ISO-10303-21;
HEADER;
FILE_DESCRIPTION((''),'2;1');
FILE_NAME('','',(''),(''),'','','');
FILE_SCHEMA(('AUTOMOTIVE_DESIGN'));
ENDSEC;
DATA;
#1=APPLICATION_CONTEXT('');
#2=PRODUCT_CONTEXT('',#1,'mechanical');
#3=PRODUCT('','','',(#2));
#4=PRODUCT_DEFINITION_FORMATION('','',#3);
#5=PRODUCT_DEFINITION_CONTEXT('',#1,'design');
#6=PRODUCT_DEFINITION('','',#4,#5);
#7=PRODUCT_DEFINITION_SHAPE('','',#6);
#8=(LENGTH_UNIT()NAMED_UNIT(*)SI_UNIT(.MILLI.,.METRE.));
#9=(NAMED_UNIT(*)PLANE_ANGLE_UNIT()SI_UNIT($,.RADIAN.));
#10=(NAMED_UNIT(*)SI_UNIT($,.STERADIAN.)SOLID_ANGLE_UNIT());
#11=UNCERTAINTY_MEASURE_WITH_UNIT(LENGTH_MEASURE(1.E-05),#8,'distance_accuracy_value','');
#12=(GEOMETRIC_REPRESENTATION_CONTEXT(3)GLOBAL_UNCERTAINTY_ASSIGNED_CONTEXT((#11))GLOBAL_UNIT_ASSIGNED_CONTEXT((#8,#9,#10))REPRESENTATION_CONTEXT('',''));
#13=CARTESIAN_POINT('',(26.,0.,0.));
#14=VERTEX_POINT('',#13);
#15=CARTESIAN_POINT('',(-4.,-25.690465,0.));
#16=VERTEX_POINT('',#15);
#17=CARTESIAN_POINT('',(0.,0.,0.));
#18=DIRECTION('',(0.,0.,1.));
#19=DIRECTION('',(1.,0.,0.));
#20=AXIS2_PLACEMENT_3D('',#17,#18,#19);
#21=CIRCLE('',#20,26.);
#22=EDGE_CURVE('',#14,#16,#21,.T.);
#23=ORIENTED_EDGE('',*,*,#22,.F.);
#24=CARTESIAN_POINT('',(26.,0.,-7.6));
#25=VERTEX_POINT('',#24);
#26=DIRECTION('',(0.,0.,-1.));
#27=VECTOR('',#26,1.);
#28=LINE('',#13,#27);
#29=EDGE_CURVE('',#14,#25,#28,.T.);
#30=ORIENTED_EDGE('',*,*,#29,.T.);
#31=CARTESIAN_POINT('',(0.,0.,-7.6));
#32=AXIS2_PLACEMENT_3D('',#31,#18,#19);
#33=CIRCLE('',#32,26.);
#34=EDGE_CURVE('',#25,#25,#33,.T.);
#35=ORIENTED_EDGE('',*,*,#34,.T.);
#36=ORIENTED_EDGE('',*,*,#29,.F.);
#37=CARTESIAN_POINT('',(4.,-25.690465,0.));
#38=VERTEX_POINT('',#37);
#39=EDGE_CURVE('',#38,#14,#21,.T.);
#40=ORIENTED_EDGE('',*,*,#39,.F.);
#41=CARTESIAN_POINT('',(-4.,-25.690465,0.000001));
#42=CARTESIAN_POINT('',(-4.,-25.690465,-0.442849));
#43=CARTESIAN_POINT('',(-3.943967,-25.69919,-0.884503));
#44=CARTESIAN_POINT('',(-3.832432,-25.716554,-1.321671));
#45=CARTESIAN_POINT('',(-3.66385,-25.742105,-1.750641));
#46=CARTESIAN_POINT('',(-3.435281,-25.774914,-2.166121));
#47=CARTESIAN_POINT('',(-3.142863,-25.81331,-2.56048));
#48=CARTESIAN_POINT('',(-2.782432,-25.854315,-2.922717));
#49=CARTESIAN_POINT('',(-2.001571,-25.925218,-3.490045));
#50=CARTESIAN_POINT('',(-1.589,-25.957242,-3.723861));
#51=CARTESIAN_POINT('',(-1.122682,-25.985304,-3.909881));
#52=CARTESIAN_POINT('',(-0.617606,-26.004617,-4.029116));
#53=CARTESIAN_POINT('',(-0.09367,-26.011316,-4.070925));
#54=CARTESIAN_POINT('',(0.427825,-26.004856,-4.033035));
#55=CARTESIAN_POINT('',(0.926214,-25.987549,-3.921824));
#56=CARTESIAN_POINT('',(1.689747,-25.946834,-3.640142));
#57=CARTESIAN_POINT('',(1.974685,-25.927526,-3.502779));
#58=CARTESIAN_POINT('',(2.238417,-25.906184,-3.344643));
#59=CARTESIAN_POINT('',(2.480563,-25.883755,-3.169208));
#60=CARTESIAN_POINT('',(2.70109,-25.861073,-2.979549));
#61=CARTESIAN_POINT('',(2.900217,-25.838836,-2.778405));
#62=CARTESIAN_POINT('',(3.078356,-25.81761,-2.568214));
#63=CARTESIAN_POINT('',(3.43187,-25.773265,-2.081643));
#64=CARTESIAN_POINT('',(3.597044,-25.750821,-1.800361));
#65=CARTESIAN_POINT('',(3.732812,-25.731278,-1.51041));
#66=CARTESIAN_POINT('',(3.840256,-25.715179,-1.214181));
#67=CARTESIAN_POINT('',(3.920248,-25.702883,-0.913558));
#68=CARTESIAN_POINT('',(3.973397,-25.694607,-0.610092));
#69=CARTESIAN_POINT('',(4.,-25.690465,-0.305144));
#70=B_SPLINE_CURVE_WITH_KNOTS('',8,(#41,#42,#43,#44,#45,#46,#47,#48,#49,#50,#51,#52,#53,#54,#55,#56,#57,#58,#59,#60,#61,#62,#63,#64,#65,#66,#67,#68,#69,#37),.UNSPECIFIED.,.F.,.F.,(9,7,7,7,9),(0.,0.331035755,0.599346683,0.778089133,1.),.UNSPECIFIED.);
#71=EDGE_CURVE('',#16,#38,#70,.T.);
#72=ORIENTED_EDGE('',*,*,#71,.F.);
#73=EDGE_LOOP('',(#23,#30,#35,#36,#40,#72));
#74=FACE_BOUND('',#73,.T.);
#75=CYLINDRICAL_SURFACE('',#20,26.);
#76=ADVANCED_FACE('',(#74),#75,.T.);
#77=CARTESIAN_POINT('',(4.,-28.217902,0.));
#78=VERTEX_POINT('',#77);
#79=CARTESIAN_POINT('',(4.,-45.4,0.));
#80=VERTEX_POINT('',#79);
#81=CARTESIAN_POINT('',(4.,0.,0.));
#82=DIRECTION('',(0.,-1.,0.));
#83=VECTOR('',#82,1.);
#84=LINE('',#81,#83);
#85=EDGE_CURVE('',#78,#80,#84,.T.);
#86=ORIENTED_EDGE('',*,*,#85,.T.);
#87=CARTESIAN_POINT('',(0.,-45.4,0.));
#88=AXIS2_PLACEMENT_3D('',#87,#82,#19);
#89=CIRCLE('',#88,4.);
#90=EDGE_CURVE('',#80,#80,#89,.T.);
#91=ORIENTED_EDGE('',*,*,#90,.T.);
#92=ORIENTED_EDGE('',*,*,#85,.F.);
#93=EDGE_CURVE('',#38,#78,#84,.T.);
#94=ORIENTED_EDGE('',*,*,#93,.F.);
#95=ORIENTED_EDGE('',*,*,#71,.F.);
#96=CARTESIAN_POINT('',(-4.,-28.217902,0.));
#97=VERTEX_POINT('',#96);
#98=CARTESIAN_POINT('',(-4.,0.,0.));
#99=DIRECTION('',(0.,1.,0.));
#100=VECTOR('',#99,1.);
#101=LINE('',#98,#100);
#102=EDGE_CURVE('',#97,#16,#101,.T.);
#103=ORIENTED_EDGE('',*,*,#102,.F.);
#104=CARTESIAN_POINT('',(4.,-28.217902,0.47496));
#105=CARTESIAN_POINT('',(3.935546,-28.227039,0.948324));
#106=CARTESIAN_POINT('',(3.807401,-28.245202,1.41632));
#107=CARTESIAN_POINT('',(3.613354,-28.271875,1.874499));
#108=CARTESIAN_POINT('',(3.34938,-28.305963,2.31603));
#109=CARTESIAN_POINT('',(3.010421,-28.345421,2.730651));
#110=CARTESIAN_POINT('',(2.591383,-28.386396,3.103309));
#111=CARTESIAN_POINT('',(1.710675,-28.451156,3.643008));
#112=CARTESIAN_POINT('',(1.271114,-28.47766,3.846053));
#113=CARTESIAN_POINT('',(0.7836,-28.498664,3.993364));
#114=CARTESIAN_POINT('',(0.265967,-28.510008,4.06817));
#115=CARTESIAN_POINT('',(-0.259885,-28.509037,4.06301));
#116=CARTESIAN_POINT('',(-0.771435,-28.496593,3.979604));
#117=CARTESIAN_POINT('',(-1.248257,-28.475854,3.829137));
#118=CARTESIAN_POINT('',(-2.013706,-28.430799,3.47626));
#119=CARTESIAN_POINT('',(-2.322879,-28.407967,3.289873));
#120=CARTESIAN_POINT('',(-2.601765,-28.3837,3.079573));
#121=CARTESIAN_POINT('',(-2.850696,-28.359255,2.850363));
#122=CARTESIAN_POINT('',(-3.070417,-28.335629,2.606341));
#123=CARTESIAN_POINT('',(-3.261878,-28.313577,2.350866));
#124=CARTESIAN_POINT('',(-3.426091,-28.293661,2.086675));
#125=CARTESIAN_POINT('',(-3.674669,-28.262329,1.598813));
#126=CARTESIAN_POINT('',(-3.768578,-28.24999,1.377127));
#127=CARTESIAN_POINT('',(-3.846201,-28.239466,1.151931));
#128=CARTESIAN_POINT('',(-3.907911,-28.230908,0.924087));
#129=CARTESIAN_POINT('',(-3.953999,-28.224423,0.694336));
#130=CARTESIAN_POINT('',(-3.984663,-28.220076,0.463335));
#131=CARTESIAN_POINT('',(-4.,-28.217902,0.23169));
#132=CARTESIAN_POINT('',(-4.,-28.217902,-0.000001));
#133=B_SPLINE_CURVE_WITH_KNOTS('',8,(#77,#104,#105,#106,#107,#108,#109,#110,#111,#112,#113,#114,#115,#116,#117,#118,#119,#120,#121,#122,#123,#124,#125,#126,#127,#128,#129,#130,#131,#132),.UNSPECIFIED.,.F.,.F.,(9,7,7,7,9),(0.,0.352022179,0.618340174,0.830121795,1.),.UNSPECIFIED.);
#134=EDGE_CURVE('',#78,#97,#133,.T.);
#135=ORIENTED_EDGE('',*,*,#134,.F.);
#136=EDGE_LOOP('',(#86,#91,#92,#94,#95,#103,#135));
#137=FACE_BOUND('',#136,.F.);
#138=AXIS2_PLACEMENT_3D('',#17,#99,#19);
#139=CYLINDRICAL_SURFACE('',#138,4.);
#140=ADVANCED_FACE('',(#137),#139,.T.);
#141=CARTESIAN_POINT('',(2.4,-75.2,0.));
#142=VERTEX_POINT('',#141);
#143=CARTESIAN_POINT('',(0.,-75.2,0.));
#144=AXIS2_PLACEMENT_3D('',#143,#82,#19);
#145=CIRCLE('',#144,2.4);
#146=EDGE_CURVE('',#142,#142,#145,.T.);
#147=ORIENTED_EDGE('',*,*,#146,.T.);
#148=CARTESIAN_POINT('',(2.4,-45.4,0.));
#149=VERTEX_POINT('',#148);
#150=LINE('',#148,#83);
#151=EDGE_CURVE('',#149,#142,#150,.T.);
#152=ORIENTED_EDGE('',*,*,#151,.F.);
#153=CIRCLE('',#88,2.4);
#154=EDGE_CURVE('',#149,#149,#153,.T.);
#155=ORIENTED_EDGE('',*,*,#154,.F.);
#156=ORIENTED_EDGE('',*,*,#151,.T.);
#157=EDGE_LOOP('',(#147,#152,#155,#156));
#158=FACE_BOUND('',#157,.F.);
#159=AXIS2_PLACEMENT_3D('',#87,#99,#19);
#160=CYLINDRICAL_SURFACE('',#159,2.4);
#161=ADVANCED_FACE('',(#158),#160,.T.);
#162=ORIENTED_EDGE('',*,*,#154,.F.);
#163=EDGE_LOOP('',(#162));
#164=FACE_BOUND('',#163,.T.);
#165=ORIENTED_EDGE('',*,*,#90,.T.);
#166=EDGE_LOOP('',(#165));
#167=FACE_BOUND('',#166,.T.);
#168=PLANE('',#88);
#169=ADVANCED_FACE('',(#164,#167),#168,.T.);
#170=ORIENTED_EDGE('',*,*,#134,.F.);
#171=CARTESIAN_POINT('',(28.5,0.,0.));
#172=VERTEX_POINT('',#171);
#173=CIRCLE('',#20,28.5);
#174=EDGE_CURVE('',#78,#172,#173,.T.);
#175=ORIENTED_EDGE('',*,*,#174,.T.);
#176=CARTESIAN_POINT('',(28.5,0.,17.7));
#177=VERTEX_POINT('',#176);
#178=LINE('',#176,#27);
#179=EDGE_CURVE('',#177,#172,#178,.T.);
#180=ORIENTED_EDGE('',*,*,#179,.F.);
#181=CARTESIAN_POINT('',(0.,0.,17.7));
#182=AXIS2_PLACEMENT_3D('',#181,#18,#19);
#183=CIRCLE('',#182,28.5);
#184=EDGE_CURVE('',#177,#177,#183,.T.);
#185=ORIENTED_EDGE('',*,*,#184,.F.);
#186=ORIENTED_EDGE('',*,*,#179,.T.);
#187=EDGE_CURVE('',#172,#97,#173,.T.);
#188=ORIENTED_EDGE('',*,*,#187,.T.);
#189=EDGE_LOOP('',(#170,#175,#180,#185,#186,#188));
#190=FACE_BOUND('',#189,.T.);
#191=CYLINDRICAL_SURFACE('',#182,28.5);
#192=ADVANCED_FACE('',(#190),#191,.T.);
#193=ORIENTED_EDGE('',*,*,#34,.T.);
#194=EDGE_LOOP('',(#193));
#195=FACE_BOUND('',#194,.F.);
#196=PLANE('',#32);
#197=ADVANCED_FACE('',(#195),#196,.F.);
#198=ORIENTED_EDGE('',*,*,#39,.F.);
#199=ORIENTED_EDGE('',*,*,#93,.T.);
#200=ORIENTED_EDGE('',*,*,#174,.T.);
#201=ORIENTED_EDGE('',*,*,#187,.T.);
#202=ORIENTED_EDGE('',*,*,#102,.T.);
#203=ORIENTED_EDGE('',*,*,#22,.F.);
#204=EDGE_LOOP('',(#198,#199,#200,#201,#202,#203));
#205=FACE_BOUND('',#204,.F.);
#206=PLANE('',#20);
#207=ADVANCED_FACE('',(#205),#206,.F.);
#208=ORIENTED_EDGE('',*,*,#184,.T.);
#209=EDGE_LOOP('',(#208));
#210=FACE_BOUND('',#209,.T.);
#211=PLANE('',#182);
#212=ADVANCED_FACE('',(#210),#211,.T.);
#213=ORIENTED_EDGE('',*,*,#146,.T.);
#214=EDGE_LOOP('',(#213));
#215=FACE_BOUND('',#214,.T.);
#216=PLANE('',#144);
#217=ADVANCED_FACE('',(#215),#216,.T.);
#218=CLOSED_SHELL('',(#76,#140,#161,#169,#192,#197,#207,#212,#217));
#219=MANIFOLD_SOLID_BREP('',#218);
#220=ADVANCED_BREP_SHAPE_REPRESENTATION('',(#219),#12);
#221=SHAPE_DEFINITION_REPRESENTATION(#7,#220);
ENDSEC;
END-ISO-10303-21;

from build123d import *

# Parameters (mm, degrees)
F0_R      = 26
F1_DEPTH  = 7.6
F3_R      = 28.5
F4_DEPTH  = 17.7
F6_R      = 4
F7_DEPTH  = 45.4
F9_R      = 2.4
F10_DEPTH = 29.8


with BuildPart() as f1:
    # F0 (on Top) → F1 (new body)
    with BuildSketch(Plane.XY):
        Circle(F0_R)
    extrude(amount=-F1_DEPTH)

    # F3 (on offset) → F4 (join, through all)
    with BuildSketch(Plane.XY.offset(17.7)):
        Circle(F3_R)
    extrude(amount=-F4_DEPTH)

    # F6 (on Front) → F7 (join, through all)
    with BuildSketch(Plane.XZ):
        Circle(F6_R)
    extrude(amount=F7_DEPTH)

    # F9 (on face) → F10 (join, through all)
    with BuildSketch(Plane.XZ.offset(45.4)):
        Circle(F9_R)
    extrude(amount=F10_DEPTH)


solid = f1.part
